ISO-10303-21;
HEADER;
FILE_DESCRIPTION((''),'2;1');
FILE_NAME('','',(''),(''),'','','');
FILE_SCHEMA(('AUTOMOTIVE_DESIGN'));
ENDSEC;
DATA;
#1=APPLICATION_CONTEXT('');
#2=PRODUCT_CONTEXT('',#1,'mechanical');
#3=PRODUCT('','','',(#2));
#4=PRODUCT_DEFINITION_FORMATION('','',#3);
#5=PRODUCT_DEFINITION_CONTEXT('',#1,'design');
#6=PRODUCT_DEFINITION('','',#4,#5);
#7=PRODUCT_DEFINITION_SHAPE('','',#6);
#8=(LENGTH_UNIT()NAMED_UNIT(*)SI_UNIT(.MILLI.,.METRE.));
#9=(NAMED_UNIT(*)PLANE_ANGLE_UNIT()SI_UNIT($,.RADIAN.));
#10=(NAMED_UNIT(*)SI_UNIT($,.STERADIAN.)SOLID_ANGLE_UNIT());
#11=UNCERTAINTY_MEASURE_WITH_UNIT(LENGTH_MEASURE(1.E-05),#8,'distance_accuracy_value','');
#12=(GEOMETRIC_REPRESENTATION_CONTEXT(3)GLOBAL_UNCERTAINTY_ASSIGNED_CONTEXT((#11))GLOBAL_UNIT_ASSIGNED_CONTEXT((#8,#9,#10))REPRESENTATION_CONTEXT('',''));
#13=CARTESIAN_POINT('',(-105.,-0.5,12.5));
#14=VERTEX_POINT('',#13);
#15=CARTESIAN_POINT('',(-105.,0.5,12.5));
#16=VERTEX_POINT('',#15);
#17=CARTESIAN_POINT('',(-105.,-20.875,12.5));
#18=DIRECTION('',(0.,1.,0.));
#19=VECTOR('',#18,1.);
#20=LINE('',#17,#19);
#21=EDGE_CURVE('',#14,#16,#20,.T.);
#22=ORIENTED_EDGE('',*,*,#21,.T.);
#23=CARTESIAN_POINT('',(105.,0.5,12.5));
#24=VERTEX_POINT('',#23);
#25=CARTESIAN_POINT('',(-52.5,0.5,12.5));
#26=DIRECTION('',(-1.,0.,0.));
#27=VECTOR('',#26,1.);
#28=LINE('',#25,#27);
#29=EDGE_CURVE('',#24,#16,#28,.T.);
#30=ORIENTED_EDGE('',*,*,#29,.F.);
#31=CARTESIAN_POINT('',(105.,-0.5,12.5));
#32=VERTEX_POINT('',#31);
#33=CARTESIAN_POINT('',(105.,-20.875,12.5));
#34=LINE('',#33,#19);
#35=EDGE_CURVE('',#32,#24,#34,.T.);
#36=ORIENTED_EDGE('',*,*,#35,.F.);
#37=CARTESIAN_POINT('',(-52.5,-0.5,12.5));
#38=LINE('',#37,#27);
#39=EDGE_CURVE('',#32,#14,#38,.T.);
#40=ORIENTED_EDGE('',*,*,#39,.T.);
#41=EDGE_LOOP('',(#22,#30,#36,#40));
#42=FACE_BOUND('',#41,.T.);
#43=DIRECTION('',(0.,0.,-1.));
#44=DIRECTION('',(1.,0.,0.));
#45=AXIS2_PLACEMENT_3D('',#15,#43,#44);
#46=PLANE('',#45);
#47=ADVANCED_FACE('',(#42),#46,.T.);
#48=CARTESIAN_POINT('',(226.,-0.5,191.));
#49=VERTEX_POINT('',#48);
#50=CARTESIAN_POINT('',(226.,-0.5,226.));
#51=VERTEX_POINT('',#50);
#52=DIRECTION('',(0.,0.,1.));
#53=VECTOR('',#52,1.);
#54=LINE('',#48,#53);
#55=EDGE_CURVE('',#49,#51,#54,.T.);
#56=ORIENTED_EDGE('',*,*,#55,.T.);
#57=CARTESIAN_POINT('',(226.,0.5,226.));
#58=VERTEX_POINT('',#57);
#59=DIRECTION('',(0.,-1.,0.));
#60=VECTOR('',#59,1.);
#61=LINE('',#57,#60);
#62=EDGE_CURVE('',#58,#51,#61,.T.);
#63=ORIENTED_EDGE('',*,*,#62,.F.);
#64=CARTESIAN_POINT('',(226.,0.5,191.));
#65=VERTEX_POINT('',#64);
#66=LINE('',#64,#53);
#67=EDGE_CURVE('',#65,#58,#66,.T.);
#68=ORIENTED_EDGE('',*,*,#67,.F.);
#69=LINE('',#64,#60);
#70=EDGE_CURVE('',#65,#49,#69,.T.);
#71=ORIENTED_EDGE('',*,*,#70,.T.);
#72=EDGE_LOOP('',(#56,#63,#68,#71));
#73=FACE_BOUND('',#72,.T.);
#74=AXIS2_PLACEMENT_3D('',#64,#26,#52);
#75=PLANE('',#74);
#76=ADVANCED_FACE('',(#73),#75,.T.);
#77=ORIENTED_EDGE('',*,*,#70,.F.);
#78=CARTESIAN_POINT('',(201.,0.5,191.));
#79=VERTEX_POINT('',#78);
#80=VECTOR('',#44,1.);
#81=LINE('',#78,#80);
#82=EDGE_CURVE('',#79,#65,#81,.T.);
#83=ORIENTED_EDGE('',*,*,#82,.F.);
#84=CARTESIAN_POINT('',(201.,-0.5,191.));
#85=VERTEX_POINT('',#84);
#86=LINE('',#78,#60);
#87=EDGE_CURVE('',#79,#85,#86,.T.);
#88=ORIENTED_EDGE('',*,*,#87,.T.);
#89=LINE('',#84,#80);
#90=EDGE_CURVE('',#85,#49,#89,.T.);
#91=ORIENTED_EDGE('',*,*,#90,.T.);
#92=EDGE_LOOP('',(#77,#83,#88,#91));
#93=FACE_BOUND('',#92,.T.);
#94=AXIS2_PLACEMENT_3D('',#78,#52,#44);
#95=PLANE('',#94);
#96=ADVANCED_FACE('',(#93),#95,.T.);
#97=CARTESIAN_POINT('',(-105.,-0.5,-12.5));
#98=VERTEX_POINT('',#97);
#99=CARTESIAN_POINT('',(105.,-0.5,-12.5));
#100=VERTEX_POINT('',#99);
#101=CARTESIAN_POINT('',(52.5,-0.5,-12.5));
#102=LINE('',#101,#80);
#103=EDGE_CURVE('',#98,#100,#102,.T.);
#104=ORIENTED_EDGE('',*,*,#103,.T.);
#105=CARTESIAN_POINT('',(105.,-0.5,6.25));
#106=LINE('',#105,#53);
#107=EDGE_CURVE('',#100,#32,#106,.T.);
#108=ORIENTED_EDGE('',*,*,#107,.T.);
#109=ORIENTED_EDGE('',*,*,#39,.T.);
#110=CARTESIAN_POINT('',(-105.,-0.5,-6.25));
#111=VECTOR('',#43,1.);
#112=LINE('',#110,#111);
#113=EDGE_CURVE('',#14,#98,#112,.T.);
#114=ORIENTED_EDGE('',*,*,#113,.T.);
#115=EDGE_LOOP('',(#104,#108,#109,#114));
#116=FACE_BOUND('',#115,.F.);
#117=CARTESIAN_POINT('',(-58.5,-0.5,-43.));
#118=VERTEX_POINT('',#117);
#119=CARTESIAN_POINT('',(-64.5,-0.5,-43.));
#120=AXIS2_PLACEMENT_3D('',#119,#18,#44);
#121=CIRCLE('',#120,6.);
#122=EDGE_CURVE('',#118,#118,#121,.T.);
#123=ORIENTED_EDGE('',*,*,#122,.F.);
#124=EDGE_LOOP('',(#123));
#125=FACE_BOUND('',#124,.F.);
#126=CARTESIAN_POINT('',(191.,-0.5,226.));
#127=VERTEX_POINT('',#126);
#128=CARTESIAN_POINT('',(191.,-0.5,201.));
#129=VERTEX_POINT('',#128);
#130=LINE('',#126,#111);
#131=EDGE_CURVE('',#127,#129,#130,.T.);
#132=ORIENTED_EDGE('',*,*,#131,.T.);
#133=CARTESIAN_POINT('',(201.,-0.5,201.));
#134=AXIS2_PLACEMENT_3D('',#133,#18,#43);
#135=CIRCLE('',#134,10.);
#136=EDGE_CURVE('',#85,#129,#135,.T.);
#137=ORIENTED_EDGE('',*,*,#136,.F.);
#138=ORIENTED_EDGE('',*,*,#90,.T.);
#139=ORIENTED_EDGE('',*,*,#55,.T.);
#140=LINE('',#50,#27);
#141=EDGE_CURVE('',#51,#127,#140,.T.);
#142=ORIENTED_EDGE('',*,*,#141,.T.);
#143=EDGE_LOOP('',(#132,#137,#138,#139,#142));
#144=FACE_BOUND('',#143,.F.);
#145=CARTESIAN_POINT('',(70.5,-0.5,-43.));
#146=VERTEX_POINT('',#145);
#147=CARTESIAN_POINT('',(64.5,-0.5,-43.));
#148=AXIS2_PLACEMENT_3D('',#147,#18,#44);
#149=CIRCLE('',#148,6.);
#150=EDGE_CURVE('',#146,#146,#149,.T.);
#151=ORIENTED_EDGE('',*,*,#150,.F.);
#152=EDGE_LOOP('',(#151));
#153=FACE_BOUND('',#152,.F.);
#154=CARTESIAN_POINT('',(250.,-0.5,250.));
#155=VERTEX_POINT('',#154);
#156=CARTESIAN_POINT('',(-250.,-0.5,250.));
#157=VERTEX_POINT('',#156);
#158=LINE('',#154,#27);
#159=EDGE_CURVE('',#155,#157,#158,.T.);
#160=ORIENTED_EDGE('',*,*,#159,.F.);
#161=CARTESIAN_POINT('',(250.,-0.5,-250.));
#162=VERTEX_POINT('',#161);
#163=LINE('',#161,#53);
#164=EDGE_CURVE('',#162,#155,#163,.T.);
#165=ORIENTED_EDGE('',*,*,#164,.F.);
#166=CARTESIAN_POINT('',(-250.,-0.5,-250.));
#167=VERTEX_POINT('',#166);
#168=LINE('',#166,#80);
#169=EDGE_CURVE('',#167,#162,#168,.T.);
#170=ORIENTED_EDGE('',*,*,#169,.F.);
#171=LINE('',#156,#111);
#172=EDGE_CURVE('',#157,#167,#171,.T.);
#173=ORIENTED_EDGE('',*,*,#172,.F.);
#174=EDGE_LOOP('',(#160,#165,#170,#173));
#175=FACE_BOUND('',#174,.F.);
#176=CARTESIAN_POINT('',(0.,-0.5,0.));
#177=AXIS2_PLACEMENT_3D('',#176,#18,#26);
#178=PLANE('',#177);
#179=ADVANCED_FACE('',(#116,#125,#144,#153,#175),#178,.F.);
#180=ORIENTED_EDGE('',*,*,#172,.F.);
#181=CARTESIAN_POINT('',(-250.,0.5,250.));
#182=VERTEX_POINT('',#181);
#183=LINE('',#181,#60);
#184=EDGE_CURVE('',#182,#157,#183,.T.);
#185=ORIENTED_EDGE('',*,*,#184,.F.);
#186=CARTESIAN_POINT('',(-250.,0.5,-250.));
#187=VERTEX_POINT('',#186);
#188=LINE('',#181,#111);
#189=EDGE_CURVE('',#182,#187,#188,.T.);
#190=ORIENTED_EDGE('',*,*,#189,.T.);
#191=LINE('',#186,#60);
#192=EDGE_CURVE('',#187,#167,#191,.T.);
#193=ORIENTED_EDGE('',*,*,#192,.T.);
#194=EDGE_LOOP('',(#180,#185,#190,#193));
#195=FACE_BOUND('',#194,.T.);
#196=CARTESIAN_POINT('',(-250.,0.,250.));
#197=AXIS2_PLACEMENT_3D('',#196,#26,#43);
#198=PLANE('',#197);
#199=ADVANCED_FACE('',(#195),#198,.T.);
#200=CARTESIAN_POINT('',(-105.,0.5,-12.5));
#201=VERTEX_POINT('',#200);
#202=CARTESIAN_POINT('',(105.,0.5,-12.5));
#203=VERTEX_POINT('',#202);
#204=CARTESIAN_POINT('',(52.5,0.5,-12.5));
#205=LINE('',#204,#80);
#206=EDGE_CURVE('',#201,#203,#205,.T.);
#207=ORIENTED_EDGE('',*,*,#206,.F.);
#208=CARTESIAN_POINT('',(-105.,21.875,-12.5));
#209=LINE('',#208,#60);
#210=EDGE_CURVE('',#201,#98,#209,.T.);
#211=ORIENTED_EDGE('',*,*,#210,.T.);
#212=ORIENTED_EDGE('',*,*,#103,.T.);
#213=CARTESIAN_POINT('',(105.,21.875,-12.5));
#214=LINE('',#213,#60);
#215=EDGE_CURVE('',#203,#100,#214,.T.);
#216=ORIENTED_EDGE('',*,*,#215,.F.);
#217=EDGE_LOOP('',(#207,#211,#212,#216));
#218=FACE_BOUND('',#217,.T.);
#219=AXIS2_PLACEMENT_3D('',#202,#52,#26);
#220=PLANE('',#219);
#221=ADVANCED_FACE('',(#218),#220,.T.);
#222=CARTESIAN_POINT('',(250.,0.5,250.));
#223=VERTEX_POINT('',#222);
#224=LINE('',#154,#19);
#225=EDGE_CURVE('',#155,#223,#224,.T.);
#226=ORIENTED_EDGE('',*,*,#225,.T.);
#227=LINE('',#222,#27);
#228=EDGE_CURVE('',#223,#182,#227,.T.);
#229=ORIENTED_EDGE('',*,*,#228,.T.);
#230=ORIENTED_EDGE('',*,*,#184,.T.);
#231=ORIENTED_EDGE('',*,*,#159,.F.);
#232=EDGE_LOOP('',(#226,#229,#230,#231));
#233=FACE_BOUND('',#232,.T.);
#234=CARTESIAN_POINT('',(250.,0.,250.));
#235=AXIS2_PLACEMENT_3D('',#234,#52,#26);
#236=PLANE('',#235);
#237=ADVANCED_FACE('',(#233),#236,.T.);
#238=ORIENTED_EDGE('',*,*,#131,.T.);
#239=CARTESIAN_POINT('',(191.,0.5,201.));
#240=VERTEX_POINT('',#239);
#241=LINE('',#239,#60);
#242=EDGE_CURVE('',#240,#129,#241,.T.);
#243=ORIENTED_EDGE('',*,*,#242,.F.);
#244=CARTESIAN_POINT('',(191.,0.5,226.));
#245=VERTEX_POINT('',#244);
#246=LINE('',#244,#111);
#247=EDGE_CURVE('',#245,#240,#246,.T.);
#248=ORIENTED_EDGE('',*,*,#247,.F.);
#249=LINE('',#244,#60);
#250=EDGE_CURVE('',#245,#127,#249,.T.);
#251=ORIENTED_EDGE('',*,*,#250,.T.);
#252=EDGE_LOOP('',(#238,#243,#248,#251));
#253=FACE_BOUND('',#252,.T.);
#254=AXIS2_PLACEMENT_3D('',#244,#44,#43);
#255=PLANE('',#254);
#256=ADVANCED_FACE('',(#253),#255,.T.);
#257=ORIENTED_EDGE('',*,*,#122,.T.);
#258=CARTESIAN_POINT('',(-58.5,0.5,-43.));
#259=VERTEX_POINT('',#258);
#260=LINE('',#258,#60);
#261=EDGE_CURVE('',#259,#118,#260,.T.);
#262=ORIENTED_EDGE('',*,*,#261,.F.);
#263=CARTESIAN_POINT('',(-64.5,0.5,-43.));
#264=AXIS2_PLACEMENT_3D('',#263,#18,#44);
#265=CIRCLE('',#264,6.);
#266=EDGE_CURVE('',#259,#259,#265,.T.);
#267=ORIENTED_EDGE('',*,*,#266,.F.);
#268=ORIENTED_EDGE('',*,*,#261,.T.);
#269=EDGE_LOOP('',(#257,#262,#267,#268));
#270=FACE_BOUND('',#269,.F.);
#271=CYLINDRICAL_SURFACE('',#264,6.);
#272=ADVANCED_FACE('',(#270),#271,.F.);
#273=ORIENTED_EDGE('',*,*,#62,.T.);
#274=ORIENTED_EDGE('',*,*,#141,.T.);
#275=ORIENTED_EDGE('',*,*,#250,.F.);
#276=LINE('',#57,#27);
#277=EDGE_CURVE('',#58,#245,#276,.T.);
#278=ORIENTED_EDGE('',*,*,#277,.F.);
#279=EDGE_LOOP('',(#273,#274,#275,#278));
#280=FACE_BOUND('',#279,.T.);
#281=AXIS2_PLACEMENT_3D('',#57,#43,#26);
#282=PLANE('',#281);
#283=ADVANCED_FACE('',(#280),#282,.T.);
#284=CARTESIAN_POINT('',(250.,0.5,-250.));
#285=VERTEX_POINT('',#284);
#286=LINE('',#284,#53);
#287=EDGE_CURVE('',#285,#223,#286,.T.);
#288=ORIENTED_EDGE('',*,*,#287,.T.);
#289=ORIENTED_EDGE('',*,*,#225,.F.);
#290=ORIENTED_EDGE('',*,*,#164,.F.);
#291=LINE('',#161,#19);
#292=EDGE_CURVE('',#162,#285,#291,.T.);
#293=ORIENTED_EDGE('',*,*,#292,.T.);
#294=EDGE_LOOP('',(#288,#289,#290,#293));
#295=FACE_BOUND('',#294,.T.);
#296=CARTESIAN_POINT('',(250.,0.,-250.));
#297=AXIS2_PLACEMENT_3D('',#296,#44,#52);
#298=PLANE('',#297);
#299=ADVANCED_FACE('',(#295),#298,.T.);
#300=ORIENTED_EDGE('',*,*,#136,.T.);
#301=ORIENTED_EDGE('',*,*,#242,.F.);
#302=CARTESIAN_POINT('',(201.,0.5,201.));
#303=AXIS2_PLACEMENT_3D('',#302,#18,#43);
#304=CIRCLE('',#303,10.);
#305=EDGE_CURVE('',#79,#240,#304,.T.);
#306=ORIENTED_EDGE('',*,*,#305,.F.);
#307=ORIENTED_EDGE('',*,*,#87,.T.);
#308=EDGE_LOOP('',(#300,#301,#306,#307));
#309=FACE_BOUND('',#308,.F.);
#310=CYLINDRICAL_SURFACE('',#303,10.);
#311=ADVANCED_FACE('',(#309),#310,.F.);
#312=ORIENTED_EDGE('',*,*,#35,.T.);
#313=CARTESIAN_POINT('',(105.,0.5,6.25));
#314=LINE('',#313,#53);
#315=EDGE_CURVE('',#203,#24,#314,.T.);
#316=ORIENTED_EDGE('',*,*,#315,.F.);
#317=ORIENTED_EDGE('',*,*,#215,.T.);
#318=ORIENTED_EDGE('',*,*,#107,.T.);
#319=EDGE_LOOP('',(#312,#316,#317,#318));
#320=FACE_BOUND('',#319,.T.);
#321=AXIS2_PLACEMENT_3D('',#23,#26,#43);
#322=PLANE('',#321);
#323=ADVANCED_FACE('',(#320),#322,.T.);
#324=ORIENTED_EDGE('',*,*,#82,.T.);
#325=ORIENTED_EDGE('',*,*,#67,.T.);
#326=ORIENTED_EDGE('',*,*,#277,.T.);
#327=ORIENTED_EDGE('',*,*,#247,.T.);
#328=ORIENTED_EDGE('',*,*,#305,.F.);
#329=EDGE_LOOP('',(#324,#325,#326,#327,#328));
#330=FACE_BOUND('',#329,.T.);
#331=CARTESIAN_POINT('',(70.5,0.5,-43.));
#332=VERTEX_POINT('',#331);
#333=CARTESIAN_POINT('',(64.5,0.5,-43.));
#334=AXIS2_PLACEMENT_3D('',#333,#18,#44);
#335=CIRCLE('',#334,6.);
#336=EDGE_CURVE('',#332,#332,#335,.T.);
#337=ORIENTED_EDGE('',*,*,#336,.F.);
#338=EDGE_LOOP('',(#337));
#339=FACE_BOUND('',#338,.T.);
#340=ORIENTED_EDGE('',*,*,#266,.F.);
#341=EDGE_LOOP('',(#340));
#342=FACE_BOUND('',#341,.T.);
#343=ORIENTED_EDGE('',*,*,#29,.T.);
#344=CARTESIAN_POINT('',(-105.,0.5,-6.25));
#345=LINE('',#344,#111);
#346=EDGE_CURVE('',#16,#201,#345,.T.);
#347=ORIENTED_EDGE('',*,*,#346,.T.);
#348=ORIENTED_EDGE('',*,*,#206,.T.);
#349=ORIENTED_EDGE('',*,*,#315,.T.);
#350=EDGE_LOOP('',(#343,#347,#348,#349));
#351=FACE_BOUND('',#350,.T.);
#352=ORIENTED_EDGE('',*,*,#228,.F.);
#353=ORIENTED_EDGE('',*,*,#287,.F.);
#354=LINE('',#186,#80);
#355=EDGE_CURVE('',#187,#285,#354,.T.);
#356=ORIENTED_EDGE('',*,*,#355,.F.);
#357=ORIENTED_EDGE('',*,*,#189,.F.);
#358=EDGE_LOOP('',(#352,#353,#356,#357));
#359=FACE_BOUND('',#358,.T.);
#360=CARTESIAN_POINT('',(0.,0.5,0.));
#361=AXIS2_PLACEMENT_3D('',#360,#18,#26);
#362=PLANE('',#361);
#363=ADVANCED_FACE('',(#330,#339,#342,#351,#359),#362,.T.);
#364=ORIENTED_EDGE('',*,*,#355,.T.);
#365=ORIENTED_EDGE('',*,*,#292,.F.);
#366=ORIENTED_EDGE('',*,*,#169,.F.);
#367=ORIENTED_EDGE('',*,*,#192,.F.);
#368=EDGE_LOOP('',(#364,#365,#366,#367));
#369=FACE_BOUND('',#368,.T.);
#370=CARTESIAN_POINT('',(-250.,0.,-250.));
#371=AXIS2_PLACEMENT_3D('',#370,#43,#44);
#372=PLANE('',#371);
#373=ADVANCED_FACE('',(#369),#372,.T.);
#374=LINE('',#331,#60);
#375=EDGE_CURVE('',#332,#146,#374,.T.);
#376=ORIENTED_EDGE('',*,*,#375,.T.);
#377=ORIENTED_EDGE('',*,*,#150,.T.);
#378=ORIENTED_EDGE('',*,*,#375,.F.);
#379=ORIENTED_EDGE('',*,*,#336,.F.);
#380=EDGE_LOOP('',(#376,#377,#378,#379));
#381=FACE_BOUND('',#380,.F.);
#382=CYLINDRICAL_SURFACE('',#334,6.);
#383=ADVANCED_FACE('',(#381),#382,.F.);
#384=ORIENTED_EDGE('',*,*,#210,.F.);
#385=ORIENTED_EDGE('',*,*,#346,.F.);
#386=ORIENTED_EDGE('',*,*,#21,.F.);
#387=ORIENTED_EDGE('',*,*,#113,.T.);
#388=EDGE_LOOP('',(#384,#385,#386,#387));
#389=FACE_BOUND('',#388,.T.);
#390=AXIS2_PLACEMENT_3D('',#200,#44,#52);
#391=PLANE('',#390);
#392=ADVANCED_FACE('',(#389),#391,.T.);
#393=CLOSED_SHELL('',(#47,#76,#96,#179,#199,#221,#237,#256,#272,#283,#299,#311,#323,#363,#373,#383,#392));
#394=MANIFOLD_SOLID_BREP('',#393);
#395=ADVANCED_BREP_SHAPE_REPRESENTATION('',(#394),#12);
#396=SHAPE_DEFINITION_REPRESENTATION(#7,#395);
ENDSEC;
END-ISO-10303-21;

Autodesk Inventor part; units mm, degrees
ref_plane "YZ Plane" through (0, 0, 0) normal (1, 0, 0) x (0, 1, 0)
ref_plane "XZ Plane" through (0, 0, 0) normal (0, 1, 0) x (-1, 0, 0)
ref_plane "XY Plane" through (0, 0, 0) normal (0, 0, 1) x (1, 0, 0)
sketch "Esboço1" plane through (0, 0, 0) normal (0, 1, 0) x (-1, 0, 0)
  line L0 (-250, 250) -> (250, 250)
  line L1 (250, 250) -> (250, -250)
  line L2 (250, -250) -> (-250, -250)
  line L3 (-250, -250) -> (-250, 250)
  line L4 (-250, 250) -> (250, -250) construction
  line L5 (250, 250) -> (-250, -250) construction
  point P0 (0, 0)
  dimension "d0" = 500
  dimension "d1" = 500
extrude "Extrusão1" add sketch "Esboço1" along normal mid plane 1
sketch "Esboço2" plane through (0, 0.5, 0) normal (0, 1, 0) x (1, 0, 0)
  line L0 (-105, -12.5) -> (105, -12.5)
  line L1 (105, -12.5) -> (105, 12.5)
  line L2 (105, 12.5) -> (-105, 12.5)
  line L3 (-105, 12.5) -> (-105, -12.5)
  line L4 (-105, -12.5) -> (105, 12.5) construction
  line L5 (105, -12.5) -> (-105, 12.5) construction
  point P0 (0, 0)
  dimension "d4" = 210
  dimension "d5" = 25
extrude "Extrusão2" cut sketch "Esboço2" along normal mid plane 42.75
sketch "Esboço6" plane through (0, 0.5, 0) normal (0, 1, 0) x (1, 0, 0)
  circle A0 centre (-64.5, 43) radius 6
  circle A1 centre (64.5, 43) radius 6
  line L0 (250, 250) -> (-250, 250) projected
  line L1 (-250, 250) -> (-250, -250) projected
  line L2 (-64.5, 43) -> (64.5, 43) construction
  line L3 (226, -226) -> (191, -226)
  line L4 (191, -226) -> (191, -201)
  line L5 (201, -191) -> (226, -191)
  line L6 (226, -191) -> (226, -226)
  line L7 (250, -250) -> (250, 250) projected
  line L8 (-250, -250) -> (250, -250) projected
  arc A2 (201, -191) -> (191, -201) centre (201, -201) ccw
  point P0 (0, 0)
  point P1 (191, -191)
  dimension "d33" = 12
  dimension "d34" = 12
  dimension "d35" = 207
  dimension "d36" = 185.5
  dimension "d37" = 129
  dimension "d38" = 35
  dimension "d39" = 35
  dimension "d40" = 24
  dimension "d41" = 24
  dimension "d42" = 10
extrude "Extrusão3" cut sketch "Esboço6" against normal up to surface (1 mm away) contours A0 | A1 | L3 L4 A2 L5 L6
properties part number "Chapa - aço galvanizado"
